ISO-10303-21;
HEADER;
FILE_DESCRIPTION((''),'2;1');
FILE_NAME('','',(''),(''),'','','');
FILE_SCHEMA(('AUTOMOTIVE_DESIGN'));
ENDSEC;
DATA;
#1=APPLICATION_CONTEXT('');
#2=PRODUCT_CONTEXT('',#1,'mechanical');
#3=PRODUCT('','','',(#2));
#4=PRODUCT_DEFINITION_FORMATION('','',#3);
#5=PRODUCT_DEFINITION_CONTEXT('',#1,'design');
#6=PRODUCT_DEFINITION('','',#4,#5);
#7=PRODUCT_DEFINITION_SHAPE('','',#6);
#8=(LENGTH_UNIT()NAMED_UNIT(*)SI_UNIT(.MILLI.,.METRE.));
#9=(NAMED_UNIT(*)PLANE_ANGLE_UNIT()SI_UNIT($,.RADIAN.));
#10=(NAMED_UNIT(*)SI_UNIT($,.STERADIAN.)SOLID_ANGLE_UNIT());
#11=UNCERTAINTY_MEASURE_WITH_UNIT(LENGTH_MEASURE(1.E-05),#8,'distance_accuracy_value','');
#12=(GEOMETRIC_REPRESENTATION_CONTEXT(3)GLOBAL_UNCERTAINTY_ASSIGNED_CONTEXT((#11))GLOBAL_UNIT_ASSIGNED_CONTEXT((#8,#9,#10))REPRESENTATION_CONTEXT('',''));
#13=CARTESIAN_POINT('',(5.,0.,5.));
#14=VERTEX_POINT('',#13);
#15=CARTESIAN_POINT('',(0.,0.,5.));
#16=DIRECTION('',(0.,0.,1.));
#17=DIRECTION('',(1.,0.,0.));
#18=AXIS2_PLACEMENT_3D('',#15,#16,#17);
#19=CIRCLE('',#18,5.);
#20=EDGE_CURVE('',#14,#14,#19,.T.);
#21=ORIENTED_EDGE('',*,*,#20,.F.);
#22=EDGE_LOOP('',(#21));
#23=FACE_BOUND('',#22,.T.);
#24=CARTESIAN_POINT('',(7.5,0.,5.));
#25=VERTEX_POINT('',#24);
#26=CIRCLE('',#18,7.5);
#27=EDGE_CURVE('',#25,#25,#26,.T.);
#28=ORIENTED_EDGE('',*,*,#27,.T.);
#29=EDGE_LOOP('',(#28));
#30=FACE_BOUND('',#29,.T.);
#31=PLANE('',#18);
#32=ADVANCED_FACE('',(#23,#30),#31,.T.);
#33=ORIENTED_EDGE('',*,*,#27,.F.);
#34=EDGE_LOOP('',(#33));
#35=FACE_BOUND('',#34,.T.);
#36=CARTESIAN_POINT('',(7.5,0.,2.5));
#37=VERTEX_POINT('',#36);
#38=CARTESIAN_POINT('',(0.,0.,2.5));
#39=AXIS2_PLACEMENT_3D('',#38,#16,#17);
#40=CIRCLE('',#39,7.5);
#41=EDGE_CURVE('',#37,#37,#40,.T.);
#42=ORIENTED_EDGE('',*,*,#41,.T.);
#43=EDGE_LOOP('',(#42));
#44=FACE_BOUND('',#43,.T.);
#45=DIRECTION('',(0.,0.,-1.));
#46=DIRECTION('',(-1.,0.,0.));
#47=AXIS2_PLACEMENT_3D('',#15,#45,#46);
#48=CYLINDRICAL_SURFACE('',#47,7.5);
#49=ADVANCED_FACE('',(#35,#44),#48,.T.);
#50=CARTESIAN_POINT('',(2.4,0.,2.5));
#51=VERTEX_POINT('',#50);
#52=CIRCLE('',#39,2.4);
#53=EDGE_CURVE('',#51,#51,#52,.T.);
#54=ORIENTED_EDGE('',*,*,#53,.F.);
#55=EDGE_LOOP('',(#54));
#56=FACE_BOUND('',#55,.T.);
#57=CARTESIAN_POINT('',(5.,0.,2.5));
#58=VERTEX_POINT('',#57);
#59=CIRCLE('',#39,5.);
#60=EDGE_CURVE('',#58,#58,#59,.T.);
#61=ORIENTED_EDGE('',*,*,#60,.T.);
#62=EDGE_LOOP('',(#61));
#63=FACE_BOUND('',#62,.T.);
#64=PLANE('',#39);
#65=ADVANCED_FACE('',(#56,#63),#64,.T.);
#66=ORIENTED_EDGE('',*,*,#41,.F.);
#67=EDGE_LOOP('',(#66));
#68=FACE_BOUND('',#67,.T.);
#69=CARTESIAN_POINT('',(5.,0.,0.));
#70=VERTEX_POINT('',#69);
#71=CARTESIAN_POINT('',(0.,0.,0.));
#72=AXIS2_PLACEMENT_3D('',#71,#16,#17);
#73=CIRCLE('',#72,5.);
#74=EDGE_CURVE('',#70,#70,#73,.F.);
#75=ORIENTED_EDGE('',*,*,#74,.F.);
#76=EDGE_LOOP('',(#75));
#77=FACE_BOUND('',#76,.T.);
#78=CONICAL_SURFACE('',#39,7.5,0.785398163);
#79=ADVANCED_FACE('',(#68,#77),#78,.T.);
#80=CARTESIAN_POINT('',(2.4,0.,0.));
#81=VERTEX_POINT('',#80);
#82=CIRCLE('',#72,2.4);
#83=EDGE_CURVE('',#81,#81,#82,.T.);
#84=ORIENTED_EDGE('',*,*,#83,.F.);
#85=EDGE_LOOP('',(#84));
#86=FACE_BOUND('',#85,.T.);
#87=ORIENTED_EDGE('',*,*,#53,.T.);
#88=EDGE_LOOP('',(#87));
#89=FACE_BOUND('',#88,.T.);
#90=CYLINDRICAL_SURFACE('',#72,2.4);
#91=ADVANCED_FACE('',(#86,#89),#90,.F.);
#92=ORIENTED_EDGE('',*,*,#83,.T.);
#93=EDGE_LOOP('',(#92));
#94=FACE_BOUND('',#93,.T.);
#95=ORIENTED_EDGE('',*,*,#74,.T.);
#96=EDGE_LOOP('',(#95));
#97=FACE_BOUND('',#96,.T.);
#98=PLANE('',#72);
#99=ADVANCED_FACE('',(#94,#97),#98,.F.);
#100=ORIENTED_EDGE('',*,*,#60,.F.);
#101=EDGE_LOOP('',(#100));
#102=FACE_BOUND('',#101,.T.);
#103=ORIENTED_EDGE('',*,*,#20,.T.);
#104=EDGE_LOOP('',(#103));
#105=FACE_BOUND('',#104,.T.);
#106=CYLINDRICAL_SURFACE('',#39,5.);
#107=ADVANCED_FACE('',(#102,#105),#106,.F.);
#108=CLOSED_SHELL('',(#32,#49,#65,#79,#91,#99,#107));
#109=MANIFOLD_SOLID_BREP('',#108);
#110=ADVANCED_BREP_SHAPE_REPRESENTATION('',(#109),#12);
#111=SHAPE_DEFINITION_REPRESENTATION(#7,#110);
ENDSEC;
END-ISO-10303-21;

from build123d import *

# Parameters (mm, degrees)
SKETCH1_R           = 7.5
BOSS_EXTRUDE1_DEPTH = 5
SKETCH2_R           = 5
CUT_EXTRUDE1_DEPTH  = 2.5
CHAMFER1_SIZE       = 2.5
SKETCH3_R           = 2.4
CUT_EXTRUDE2_DEPTH  = 2.5


with BuildPart() as part:
    # Sketch1 → Boss-Extrude1 (new body)
    with BuildSketch(Plane.XY):
        Circle(SKETCH1_R)
    extrude(amount=BOSS_EXTRUDE1_DEPTH)

    # Sketch2 → Cut-Extrude1 (cut)
    with BuildSketch(Plane.XY.offset(5)):
        Circle(SKETCH2_R)
    extrude(amount=-CUT_EXTRUDE1_DEPTH, mode=Mode.SUBTRACT)

    # Chamfer1
    chamfer1_edges = [part.edges().sort_by_distance(p)[0] for p in [
        (-7.5, 0, 0),
    ]]
    chamfer(chamfer1_edges, length=CHAMFER1_SIZE)

    # Sketch3 → Cut-Extrude2 (cut)
    with BuildSketch(Plane.XY.offset(2.5)):
        Circle(SKETCH3_R)
    extrude(amount=-CUT_EXTRUDE2_DEPTH, mode=Mode.SUBTRACT)


solid = part.part
